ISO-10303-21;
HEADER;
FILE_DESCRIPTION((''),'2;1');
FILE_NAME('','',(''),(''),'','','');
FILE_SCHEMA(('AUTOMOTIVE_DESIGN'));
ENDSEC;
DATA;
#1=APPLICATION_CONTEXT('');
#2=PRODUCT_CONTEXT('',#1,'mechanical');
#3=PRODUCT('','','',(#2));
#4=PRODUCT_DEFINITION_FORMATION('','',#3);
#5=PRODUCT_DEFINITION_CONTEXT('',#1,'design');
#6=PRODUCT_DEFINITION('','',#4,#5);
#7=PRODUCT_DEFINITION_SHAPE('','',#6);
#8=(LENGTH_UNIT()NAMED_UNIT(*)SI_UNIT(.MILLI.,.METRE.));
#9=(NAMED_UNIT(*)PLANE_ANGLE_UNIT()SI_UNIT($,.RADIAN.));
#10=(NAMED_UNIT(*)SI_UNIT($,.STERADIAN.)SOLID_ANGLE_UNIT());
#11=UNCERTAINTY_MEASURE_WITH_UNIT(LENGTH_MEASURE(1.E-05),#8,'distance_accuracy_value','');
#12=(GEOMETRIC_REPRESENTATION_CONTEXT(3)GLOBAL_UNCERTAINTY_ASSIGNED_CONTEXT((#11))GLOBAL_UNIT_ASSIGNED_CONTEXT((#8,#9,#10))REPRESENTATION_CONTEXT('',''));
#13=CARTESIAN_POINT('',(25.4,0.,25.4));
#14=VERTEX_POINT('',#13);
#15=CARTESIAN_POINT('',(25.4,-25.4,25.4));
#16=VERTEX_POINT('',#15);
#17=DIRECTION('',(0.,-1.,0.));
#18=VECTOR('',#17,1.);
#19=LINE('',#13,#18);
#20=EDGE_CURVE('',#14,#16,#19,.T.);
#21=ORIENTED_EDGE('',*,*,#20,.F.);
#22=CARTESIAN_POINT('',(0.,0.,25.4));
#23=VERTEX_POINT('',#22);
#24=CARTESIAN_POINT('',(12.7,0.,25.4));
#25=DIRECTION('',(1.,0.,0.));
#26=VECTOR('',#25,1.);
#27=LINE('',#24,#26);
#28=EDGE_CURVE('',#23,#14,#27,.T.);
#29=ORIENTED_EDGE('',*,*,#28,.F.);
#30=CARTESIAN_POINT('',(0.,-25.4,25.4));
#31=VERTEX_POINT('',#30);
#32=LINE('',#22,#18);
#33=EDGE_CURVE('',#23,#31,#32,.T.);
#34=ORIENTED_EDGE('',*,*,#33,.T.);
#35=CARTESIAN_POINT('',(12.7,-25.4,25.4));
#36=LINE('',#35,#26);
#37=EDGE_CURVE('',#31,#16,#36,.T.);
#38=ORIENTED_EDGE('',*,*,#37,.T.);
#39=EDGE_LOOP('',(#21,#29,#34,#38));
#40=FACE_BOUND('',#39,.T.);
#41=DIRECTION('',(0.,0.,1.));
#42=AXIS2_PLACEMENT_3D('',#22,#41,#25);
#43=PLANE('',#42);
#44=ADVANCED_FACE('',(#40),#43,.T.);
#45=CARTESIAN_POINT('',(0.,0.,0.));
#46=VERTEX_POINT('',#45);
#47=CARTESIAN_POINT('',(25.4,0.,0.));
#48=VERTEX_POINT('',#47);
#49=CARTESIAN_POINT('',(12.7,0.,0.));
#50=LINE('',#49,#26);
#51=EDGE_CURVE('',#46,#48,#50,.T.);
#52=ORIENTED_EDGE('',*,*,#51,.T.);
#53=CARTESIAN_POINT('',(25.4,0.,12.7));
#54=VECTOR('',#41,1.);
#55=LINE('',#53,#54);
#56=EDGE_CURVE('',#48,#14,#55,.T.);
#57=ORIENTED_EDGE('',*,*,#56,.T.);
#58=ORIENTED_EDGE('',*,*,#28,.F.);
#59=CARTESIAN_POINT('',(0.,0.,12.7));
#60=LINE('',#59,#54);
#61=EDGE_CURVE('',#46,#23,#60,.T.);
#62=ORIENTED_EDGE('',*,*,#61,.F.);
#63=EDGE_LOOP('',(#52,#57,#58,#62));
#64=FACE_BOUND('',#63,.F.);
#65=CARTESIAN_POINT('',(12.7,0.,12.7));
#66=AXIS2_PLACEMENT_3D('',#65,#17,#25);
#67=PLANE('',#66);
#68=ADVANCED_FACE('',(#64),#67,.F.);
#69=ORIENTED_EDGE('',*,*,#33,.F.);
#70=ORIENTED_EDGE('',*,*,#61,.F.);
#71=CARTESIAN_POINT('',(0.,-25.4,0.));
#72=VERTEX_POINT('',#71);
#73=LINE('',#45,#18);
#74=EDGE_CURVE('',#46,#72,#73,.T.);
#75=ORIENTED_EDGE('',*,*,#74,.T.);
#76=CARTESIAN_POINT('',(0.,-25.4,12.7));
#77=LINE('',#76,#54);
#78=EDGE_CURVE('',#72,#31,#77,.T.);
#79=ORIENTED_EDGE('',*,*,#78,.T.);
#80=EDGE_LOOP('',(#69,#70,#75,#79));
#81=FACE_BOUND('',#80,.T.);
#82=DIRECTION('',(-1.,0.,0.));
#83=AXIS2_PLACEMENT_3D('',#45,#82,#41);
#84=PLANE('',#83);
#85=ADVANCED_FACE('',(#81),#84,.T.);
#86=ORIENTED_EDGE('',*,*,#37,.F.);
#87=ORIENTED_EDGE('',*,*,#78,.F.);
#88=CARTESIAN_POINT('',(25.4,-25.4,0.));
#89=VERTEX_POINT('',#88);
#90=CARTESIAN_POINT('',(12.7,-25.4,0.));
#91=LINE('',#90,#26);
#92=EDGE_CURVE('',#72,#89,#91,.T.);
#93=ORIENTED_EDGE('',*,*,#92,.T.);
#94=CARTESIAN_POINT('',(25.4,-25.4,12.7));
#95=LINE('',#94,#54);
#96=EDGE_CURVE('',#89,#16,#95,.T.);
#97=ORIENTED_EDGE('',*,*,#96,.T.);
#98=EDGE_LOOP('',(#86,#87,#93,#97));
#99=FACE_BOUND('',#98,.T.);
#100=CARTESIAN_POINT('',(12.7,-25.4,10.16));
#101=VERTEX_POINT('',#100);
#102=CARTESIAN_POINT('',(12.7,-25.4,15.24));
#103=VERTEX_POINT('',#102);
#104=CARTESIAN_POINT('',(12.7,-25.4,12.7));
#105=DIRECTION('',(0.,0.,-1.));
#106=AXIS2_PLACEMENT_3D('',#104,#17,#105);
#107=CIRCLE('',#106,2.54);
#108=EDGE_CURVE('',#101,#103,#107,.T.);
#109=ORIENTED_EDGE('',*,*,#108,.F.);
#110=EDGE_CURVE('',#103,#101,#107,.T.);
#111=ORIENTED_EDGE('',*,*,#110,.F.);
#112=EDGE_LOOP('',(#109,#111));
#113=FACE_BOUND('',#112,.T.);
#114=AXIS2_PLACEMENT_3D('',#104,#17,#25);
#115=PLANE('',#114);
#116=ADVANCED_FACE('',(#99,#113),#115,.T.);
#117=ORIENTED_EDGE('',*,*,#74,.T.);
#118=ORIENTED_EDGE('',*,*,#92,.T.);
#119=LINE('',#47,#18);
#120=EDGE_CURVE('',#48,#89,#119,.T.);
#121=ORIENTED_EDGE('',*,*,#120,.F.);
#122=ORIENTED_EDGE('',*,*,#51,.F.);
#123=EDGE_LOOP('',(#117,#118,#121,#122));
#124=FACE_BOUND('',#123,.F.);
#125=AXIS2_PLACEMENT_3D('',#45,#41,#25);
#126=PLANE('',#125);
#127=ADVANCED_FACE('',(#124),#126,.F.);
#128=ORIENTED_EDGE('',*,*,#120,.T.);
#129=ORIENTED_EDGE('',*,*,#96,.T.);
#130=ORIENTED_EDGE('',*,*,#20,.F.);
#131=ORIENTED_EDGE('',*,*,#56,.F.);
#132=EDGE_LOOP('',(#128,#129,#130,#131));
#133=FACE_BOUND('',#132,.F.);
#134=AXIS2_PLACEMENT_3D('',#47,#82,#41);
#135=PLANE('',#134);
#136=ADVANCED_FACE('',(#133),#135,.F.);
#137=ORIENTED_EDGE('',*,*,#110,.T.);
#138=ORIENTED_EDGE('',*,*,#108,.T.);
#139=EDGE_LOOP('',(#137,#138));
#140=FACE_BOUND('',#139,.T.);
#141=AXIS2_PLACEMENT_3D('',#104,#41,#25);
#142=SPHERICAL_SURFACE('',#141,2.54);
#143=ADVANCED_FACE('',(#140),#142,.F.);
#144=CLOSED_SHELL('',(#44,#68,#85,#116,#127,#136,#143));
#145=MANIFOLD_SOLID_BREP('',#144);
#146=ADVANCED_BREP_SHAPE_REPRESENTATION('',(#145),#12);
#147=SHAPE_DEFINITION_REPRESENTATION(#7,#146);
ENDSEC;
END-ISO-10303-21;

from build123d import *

# Parameters (mm, degrees)
F0_W     = 25.4
F0_H     = 25.4
F1_DEPTH = 25.4


with BuildPart() as f1:
    # F0 (on Front) → F1 (new body)
    with BuildSketch(Plane.XZ):
        with Locations((12.7, 12.7)):
            Rectangle(F0_W, F0_H)
    extrude(amount=F1_DEPTH)

    # F2 (on face) → F3 (revolve, cut)
    with BuildSketch(Plane.XZ.offset(25.4)):
        with BuildLine():
            ThreePointArc((12.7, 10.16), (15.24, 12.7), (12.7, 15.24))
            Line((12.7, 15.24), (12.7, 10.16))
        make_face()
    revolve(axis=Axis((12.7, -25.4, 12.7), (0, 0, -1)), mode=Mode.SUBTRACT)


solid = f1.part
